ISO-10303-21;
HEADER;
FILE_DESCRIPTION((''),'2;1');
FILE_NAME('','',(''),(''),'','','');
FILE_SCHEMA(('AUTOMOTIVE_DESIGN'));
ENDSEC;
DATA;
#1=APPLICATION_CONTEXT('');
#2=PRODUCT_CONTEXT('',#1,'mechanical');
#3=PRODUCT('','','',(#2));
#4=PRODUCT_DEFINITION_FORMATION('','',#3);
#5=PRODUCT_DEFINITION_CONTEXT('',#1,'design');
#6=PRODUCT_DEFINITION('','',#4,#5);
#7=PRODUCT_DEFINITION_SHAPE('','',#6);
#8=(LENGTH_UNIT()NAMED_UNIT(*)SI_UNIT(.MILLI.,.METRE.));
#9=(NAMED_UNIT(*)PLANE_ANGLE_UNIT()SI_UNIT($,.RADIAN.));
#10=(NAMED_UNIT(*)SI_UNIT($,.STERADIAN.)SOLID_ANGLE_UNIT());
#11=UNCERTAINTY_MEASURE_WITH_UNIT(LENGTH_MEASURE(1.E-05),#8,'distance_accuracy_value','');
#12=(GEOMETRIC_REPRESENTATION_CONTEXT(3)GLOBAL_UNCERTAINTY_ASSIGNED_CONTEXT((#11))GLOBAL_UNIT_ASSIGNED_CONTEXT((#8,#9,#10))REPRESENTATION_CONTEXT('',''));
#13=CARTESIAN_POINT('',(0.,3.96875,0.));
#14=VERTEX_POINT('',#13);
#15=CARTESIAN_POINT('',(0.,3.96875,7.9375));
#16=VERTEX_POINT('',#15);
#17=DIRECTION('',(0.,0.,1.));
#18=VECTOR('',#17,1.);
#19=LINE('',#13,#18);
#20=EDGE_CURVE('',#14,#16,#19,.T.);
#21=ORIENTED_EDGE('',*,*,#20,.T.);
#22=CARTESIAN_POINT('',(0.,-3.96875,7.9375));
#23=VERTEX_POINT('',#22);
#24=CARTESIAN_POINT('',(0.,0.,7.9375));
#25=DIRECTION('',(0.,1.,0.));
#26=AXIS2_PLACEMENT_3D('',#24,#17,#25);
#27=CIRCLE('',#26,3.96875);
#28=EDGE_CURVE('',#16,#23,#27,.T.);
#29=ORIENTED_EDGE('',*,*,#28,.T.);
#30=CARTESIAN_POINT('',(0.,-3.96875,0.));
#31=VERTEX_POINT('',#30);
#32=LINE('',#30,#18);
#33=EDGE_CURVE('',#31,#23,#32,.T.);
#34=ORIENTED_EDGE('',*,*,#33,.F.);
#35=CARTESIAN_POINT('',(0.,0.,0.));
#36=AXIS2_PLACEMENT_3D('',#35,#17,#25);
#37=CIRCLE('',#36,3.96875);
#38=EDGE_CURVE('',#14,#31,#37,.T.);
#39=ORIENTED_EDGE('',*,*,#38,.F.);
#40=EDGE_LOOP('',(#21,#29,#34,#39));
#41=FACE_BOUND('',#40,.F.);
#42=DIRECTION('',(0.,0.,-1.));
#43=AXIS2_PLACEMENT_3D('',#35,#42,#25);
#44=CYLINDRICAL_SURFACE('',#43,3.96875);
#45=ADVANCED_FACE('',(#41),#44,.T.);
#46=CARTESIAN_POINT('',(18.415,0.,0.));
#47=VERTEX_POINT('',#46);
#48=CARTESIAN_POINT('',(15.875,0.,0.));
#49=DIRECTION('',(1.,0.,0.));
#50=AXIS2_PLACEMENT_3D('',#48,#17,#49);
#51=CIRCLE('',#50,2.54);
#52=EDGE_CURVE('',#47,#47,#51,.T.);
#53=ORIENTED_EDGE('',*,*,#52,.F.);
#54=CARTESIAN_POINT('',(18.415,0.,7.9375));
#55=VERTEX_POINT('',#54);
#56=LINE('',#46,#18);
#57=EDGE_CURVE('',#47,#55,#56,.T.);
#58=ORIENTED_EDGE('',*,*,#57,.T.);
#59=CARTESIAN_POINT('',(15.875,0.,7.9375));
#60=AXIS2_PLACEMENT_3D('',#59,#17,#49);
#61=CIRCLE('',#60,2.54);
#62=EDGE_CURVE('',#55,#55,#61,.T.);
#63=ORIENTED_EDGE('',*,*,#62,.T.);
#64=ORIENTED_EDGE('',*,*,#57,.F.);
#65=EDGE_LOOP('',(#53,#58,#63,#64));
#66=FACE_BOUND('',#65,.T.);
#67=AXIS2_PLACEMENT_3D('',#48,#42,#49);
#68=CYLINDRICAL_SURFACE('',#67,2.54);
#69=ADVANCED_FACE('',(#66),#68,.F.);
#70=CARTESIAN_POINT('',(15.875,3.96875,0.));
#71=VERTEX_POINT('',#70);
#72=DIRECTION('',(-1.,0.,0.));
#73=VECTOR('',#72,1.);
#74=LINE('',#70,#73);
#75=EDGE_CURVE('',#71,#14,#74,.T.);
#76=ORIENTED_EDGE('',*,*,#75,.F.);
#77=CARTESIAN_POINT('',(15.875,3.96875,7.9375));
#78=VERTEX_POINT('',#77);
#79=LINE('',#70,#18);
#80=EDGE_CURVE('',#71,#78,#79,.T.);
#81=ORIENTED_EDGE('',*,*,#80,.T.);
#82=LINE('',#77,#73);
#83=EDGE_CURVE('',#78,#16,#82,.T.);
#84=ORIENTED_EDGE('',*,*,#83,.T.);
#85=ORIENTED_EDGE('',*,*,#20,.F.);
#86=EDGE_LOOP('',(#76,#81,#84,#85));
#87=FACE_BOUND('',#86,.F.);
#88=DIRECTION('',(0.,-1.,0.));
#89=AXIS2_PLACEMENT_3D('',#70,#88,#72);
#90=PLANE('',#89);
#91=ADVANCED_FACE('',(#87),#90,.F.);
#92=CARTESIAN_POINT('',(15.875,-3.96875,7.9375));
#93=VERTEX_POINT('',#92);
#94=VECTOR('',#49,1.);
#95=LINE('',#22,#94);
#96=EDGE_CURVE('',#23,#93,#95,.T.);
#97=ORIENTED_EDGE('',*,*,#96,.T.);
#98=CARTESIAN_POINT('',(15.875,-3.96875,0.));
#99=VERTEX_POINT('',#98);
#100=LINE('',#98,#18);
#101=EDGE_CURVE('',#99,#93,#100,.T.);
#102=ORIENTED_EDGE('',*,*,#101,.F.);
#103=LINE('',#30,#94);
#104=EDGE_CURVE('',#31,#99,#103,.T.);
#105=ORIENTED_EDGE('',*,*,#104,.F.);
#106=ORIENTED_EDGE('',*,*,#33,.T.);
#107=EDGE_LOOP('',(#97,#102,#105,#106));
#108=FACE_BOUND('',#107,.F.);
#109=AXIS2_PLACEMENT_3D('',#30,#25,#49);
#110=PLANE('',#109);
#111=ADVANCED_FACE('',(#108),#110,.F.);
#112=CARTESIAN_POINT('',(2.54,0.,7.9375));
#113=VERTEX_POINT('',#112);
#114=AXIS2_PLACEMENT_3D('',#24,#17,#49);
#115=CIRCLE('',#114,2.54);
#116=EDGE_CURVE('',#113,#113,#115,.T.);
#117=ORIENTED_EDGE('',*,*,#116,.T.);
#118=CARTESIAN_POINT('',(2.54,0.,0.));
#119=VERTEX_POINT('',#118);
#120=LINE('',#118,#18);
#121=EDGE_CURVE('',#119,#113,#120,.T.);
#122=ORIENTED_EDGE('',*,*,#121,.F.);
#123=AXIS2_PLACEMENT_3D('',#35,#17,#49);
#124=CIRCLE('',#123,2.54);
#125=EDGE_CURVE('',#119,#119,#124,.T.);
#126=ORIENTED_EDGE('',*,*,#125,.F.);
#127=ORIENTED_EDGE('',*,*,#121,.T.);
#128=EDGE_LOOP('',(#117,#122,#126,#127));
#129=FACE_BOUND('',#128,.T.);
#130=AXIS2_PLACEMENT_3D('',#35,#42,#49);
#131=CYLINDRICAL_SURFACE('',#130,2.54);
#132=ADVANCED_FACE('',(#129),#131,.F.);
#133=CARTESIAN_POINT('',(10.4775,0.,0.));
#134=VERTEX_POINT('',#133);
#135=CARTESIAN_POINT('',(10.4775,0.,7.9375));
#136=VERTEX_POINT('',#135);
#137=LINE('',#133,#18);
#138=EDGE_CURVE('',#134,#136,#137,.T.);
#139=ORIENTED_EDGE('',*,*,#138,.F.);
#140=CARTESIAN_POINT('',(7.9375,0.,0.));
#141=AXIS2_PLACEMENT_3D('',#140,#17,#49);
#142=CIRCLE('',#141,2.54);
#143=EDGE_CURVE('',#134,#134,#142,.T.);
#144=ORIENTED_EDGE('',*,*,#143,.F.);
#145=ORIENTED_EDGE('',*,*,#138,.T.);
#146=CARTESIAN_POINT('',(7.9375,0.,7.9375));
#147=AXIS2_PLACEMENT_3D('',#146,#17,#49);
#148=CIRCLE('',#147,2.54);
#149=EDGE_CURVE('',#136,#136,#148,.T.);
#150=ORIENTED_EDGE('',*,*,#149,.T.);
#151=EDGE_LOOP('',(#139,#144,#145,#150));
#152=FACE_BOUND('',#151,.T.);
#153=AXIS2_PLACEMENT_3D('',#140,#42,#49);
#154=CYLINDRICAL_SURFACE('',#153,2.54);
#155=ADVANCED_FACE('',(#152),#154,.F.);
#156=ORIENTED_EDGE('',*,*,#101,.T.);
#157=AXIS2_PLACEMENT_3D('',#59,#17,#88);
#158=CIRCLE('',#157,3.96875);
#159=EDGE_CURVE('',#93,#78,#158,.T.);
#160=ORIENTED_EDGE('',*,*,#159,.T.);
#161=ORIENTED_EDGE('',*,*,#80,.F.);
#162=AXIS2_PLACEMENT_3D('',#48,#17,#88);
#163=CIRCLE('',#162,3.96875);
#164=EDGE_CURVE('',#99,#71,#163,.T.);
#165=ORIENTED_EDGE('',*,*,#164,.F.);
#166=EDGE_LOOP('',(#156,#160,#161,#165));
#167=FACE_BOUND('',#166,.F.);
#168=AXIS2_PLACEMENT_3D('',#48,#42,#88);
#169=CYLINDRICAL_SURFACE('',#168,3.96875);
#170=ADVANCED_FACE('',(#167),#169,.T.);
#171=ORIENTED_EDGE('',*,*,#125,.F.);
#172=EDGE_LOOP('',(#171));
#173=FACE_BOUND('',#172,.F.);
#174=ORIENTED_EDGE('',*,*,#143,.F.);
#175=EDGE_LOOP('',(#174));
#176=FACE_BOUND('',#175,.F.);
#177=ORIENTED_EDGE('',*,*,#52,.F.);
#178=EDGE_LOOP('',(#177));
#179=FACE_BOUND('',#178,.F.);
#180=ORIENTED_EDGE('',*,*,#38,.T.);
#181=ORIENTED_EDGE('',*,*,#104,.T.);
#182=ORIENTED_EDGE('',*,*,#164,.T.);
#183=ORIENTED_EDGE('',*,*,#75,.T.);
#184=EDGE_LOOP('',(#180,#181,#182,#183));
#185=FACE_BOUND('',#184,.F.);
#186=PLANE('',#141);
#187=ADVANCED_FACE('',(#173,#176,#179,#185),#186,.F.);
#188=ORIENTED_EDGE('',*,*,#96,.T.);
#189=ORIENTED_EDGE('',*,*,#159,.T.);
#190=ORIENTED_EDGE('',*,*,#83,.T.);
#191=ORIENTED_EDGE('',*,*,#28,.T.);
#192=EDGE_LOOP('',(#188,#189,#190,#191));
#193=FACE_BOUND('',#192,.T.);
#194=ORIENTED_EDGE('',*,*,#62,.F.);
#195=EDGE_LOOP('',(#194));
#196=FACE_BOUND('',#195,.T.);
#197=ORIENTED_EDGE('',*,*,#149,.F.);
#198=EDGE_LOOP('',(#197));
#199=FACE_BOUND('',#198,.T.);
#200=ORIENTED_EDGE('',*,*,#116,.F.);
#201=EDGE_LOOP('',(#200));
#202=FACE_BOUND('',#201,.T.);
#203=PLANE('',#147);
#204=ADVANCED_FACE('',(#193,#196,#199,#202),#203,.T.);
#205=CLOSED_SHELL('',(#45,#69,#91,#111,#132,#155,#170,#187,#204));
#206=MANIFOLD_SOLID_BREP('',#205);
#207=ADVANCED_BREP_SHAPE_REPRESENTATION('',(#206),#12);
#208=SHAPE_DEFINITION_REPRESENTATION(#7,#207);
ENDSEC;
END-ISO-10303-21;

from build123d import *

# Parameters (mm, degrees)
F0_R     = 2.54
F1_DEPTH = 7.9375


with BuildPart() as f1:
    # F0 (on Top) → F1 (new body)
    with BuildSketch(Plane.XY):
        with BuildLine():
            Line((15.875, 3.96875), (0, 3.96875))
            ThreePointArc((0, 3.96875), (-3.96875, 0), (0, -3.96875))
            Line((0, -3.96875), (15.875, -3.96875))
            ThreePointArc((15.875, -3.96875), (19.84375, 0), (15.875, 3.96875))
        make_face()
        Circle(F0_R, mode=Mode.SUBTRACT)
        with Locations((7.9375, 0)):
            Circle(F0_R, mode=Mode.SUBTRACT)
        with Locations((15.875, 0)):
            Circle(F0_R, mode=Mode.SUBTRACT)
    extrude(amount=F1_DEPTH)


solid = f1.part
